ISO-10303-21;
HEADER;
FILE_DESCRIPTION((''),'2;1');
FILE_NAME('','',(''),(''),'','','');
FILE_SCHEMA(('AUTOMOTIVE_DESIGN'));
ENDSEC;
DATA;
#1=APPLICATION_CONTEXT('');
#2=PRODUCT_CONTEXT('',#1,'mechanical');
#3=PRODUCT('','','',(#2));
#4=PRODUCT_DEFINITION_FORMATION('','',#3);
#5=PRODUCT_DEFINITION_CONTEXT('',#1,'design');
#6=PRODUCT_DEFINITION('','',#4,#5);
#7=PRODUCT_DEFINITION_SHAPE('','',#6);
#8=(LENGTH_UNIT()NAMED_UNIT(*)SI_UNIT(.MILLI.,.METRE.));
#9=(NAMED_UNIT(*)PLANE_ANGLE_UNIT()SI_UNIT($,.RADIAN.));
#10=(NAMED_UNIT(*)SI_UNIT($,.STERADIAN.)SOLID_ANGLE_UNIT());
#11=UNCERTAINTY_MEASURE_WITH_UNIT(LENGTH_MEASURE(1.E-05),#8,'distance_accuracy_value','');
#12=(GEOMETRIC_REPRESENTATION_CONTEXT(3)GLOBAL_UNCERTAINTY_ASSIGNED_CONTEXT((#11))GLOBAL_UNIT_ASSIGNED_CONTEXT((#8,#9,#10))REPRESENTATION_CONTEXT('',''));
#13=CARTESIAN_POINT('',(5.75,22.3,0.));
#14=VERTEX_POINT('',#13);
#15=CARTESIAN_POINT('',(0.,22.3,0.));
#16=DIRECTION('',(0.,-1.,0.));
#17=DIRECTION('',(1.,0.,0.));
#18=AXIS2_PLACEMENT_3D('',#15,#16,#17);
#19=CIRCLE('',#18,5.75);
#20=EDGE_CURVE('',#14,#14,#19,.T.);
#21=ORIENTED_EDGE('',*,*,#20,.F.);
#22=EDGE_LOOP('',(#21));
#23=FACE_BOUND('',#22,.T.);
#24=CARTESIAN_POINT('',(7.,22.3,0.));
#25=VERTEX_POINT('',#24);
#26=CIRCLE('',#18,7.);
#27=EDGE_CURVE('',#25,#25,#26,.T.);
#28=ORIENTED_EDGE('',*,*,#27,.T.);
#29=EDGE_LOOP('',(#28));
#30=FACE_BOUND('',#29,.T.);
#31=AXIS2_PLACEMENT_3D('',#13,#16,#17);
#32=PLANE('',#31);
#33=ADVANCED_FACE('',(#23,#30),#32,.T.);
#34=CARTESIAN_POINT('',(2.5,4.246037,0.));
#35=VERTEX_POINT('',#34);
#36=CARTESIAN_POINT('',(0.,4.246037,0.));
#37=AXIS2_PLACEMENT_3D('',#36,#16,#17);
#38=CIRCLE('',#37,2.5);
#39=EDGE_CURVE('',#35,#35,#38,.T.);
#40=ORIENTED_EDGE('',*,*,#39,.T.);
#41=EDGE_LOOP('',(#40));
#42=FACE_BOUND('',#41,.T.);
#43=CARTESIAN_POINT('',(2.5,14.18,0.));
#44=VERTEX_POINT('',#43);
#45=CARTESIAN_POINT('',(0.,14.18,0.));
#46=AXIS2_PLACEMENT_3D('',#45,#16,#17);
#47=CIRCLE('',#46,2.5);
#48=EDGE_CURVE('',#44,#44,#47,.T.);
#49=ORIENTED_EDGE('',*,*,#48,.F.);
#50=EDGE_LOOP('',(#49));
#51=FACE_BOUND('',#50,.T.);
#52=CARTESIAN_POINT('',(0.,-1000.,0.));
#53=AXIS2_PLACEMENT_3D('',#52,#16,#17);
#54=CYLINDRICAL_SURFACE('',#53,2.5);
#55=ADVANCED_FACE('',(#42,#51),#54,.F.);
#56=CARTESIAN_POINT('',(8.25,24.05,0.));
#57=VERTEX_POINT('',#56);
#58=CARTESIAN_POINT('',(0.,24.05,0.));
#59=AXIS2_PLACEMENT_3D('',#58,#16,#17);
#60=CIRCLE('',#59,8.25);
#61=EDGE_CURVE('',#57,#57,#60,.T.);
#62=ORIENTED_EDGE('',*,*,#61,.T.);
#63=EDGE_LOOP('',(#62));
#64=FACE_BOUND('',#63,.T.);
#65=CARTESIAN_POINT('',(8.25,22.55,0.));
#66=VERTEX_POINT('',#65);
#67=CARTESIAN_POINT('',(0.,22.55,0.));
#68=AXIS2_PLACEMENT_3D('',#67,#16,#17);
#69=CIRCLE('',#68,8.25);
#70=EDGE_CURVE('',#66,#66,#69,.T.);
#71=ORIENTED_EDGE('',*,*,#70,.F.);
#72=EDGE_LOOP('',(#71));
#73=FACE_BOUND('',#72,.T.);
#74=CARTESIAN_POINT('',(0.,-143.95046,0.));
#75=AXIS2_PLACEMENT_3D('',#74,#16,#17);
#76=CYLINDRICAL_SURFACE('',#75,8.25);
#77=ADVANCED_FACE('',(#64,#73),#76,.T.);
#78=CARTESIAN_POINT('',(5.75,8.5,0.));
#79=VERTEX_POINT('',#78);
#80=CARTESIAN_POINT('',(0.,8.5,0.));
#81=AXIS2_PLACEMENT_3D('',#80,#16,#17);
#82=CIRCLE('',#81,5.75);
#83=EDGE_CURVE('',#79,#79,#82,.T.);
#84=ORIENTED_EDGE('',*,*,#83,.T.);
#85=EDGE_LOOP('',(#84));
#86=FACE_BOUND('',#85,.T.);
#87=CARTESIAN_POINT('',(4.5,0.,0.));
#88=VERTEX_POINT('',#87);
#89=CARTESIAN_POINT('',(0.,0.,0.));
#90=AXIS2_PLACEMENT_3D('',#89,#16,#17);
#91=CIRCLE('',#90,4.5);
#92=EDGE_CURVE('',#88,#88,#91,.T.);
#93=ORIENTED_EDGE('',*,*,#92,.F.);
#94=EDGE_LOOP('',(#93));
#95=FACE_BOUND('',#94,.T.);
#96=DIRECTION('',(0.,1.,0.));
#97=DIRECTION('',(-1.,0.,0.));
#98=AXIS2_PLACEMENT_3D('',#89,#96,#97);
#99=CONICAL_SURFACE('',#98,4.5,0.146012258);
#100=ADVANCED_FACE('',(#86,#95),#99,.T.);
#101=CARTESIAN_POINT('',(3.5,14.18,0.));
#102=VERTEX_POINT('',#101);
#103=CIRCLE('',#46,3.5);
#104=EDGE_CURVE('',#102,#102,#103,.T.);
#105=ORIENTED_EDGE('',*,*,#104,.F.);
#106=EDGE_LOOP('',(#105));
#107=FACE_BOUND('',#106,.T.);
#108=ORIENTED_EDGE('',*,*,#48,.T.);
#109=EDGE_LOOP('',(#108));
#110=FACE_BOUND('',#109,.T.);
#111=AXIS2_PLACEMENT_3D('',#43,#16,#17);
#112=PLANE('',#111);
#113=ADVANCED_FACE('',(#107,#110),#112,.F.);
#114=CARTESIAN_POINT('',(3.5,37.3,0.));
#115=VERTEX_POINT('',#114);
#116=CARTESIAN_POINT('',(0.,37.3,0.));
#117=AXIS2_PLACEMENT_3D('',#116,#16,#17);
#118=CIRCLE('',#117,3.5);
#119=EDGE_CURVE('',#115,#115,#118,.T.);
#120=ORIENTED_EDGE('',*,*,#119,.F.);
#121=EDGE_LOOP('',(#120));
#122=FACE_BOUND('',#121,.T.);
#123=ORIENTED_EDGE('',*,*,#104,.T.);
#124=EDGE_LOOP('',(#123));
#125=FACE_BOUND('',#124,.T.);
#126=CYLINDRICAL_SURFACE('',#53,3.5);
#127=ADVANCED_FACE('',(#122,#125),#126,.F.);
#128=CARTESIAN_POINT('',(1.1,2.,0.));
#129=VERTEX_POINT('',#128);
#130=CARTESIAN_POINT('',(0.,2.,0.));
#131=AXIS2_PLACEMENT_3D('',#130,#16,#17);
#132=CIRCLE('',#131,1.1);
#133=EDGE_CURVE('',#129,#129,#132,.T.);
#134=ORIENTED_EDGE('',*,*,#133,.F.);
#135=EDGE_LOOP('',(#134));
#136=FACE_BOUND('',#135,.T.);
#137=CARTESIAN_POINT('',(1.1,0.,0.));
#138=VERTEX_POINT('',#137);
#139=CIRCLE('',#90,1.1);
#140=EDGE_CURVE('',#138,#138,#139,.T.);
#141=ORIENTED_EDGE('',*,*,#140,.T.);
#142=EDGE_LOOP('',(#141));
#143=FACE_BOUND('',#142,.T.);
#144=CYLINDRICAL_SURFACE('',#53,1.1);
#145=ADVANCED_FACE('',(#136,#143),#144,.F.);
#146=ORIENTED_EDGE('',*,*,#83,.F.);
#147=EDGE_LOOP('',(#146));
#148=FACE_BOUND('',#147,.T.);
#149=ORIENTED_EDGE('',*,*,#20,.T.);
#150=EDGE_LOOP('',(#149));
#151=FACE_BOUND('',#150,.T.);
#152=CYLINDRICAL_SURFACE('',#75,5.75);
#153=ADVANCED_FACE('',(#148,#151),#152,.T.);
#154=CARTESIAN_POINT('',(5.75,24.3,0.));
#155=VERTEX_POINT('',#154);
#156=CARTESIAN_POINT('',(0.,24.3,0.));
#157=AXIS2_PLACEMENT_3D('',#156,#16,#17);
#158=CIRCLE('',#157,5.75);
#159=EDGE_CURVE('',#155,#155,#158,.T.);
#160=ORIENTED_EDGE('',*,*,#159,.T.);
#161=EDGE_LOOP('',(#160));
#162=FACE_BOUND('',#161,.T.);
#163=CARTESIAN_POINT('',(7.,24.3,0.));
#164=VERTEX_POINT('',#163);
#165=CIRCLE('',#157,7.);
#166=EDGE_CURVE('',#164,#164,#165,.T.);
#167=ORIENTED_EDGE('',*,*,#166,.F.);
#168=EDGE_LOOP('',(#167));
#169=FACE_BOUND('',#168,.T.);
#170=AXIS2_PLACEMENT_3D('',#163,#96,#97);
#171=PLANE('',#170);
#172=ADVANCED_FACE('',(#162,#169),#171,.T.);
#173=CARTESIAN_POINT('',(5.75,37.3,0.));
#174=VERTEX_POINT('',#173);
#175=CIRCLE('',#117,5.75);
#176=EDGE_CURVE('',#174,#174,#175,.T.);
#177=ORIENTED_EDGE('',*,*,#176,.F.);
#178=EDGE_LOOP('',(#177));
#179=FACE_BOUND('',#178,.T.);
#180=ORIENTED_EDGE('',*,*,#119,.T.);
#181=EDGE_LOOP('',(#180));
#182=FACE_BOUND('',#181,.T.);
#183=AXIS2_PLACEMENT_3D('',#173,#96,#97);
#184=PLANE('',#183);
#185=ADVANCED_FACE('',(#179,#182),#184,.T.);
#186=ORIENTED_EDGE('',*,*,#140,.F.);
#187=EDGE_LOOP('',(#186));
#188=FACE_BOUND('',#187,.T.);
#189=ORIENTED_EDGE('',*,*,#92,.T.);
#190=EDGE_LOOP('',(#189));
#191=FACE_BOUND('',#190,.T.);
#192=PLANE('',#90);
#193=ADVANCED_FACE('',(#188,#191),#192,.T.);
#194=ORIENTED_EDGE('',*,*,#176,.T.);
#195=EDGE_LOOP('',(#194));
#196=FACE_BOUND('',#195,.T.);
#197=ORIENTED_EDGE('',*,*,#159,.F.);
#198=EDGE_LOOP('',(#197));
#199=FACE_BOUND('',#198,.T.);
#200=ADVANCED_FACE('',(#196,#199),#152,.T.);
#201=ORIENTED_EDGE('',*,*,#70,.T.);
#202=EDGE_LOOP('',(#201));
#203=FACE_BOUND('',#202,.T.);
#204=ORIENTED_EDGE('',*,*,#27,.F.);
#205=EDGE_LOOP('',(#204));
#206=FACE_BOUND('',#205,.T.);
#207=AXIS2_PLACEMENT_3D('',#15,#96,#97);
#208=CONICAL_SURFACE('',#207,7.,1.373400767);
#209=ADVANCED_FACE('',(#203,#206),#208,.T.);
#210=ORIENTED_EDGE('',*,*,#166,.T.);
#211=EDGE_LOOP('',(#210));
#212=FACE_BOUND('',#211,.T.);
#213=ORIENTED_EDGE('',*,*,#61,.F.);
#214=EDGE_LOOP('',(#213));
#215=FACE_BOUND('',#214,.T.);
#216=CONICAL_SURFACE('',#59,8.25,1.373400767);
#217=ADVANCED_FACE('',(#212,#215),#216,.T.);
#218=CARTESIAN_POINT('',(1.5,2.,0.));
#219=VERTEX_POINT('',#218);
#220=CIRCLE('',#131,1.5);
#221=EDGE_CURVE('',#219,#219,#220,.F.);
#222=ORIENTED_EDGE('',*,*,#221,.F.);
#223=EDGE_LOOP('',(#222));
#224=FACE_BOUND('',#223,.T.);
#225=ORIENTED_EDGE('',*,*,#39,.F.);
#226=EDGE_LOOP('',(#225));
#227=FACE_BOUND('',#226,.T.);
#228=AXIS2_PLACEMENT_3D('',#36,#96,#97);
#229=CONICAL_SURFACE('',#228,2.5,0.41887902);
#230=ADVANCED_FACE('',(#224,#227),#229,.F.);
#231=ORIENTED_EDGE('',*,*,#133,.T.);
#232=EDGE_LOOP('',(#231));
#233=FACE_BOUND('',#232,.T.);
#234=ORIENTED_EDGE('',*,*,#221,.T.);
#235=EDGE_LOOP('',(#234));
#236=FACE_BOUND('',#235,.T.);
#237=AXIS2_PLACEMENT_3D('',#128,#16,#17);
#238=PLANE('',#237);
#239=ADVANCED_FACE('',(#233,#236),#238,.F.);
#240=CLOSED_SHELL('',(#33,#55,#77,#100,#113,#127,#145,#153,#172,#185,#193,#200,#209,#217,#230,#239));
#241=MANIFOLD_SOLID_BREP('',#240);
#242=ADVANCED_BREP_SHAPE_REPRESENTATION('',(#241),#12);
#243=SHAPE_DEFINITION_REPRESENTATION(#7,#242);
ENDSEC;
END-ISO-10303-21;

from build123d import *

# Parameters (mm, degrees)
CHAMFER1_SIZE  = 1
CHAMFER1_SIZE2 = 2.246036774


with BuildPart() as part:
    # Sketch1 → Revolve1 (revolve)
    with BuildSketch(Plane.XY):
        Polygon((0, 0), (4.5, 0), (5.75, 8.5), (5.75, 22.3), (7, 22.3), (8.25, 22.55), (8.25, 24.05), (7, 24.3), (5.75, 24.3), (5.75, 37.3), (0, 37.3), align=None)
    revolve(axis=Axis((0, -143.950460456, 0), (0, 1, 0)))

    # Sketch2 → Cut-Revolve1 (revolve, cut)
    with BuildSketch(Plane.XY):
        Polygon((1.1, 0), (1.1, 2), (2.5, 2), (2.5, 14.18), (3.5, 14.18), (3.5, 37.3), (0, 37.3), (0, 0), align=None)
    revolve(axis=Axis((0, -1000, 0), (0, 1, 0)), mode=Mode.SUBTRACT)

    # Chamfer1
    chamfer1_edges = [part.edges().sort_by_distance(p)[0] for p in [
        (-2.5, 2, 0),
    ]]
    chamfer1_side = [part.faces().sort_by_distance(p)[0] for p in [
        (-1.170710678, 2, 0),
    ]]
    chamfer(chamfer1_edges, length=CHAMFER1_SIZE, length2=CHAMFER1_SIZE2, reference=chamfer1_side[0])


solid = part.part
